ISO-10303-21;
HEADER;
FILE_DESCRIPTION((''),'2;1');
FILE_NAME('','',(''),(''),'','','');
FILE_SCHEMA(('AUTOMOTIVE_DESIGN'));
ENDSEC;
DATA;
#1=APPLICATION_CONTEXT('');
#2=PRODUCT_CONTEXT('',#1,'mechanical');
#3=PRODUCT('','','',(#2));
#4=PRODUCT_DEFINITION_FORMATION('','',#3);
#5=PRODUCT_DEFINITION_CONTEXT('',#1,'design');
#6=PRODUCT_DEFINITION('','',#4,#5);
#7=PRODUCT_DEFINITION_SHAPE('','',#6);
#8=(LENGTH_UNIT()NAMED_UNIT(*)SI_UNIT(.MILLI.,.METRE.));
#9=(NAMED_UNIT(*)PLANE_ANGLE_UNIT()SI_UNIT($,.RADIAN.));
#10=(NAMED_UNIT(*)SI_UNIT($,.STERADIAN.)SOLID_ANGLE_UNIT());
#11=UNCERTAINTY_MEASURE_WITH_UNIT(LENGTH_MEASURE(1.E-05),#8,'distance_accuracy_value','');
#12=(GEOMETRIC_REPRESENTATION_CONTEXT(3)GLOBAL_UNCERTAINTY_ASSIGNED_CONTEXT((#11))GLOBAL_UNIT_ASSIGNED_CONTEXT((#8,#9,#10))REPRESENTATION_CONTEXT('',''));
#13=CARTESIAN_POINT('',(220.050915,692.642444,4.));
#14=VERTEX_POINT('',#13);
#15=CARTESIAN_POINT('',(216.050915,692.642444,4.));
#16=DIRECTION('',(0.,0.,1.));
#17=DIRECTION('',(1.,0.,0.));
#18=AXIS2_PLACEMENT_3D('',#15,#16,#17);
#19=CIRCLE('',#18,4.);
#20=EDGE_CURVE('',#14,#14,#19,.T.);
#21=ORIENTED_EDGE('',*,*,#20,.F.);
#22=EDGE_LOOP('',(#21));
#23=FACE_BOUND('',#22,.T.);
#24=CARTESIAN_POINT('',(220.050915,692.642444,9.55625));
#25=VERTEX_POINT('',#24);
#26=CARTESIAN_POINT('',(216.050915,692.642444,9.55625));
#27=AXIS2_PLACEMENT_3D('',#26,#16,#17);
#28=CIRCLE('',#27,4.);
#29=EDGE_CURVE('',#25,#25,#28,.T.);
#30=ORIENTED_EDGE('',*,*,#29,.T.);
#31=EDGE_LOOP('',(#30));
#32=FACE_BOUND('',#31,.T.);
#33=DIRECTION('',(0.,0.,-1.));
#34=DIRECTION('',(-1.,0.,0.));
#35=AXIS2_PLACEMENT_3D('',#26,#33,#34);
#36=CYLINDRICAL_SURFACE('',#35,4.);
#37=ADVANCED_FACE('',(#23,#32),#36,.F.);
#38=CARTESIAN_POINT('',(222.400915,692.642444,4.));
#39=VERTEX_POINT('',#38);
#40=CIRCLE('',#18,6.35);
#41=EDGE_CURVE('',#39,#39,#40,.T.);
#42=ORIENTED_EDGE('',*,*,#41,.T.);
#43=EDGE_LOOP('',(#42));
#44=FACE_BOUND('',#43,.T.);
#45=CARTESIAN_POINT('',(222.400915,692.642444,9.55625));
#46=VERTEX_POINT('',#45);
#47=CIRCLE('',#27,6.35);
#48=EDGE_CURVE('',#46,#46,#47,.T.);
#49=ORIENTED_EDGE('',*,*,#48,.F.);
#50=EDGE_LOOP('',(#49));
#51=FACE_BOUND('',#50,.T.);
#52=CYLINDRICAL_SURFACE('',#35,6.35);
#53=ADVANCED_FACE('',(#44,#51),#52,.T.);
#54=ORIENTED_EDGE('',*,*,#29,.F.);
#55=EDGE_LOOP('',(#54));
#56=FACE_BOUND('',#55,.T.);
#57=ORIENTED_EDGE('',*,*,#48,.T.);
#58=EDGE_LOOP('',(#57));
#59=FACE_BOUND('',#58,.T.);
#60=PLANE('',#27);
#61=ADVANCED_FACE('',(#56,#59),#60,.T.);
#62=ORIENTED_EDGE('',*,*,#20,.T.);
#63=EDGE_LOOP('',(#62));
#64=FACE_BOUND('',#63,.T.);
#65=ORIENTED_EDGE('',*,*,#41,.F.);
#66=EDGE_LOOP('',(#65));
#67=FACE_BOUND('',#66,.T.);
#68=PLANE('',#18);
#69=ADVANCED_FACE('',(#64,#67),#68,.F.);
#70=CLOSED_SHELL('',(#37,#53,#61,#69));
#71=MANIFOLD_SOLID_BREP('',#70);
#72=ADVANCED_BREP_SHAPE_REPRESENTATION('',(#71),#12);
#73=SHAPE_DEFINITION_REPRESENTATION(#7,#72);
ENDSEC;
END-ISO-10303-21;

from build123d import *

# Parameters (mm, degrees)
SKETCH2_R           = 6.35
SKETCH2_R_2         = 4
BOSS_EXTRUDE1_DEPTH = 5.55625


with BuildPart() as part:
    # Sketch2 → Boss-Extrude1 (new body)
    with BuildSketch(Plane.XY.offset(4)):
        with Locations((216.050914922, 692.642443937)):
            Circle(SKETCH2_R)
        with Locations((216.050914922, 692.642443937)):
            Circle(SKETCH2_R_2, mode=Mode.SUBTRACT)
    extrude(amount=BOSS_EXTRUDE1_DEPTH)


solid = part.part
